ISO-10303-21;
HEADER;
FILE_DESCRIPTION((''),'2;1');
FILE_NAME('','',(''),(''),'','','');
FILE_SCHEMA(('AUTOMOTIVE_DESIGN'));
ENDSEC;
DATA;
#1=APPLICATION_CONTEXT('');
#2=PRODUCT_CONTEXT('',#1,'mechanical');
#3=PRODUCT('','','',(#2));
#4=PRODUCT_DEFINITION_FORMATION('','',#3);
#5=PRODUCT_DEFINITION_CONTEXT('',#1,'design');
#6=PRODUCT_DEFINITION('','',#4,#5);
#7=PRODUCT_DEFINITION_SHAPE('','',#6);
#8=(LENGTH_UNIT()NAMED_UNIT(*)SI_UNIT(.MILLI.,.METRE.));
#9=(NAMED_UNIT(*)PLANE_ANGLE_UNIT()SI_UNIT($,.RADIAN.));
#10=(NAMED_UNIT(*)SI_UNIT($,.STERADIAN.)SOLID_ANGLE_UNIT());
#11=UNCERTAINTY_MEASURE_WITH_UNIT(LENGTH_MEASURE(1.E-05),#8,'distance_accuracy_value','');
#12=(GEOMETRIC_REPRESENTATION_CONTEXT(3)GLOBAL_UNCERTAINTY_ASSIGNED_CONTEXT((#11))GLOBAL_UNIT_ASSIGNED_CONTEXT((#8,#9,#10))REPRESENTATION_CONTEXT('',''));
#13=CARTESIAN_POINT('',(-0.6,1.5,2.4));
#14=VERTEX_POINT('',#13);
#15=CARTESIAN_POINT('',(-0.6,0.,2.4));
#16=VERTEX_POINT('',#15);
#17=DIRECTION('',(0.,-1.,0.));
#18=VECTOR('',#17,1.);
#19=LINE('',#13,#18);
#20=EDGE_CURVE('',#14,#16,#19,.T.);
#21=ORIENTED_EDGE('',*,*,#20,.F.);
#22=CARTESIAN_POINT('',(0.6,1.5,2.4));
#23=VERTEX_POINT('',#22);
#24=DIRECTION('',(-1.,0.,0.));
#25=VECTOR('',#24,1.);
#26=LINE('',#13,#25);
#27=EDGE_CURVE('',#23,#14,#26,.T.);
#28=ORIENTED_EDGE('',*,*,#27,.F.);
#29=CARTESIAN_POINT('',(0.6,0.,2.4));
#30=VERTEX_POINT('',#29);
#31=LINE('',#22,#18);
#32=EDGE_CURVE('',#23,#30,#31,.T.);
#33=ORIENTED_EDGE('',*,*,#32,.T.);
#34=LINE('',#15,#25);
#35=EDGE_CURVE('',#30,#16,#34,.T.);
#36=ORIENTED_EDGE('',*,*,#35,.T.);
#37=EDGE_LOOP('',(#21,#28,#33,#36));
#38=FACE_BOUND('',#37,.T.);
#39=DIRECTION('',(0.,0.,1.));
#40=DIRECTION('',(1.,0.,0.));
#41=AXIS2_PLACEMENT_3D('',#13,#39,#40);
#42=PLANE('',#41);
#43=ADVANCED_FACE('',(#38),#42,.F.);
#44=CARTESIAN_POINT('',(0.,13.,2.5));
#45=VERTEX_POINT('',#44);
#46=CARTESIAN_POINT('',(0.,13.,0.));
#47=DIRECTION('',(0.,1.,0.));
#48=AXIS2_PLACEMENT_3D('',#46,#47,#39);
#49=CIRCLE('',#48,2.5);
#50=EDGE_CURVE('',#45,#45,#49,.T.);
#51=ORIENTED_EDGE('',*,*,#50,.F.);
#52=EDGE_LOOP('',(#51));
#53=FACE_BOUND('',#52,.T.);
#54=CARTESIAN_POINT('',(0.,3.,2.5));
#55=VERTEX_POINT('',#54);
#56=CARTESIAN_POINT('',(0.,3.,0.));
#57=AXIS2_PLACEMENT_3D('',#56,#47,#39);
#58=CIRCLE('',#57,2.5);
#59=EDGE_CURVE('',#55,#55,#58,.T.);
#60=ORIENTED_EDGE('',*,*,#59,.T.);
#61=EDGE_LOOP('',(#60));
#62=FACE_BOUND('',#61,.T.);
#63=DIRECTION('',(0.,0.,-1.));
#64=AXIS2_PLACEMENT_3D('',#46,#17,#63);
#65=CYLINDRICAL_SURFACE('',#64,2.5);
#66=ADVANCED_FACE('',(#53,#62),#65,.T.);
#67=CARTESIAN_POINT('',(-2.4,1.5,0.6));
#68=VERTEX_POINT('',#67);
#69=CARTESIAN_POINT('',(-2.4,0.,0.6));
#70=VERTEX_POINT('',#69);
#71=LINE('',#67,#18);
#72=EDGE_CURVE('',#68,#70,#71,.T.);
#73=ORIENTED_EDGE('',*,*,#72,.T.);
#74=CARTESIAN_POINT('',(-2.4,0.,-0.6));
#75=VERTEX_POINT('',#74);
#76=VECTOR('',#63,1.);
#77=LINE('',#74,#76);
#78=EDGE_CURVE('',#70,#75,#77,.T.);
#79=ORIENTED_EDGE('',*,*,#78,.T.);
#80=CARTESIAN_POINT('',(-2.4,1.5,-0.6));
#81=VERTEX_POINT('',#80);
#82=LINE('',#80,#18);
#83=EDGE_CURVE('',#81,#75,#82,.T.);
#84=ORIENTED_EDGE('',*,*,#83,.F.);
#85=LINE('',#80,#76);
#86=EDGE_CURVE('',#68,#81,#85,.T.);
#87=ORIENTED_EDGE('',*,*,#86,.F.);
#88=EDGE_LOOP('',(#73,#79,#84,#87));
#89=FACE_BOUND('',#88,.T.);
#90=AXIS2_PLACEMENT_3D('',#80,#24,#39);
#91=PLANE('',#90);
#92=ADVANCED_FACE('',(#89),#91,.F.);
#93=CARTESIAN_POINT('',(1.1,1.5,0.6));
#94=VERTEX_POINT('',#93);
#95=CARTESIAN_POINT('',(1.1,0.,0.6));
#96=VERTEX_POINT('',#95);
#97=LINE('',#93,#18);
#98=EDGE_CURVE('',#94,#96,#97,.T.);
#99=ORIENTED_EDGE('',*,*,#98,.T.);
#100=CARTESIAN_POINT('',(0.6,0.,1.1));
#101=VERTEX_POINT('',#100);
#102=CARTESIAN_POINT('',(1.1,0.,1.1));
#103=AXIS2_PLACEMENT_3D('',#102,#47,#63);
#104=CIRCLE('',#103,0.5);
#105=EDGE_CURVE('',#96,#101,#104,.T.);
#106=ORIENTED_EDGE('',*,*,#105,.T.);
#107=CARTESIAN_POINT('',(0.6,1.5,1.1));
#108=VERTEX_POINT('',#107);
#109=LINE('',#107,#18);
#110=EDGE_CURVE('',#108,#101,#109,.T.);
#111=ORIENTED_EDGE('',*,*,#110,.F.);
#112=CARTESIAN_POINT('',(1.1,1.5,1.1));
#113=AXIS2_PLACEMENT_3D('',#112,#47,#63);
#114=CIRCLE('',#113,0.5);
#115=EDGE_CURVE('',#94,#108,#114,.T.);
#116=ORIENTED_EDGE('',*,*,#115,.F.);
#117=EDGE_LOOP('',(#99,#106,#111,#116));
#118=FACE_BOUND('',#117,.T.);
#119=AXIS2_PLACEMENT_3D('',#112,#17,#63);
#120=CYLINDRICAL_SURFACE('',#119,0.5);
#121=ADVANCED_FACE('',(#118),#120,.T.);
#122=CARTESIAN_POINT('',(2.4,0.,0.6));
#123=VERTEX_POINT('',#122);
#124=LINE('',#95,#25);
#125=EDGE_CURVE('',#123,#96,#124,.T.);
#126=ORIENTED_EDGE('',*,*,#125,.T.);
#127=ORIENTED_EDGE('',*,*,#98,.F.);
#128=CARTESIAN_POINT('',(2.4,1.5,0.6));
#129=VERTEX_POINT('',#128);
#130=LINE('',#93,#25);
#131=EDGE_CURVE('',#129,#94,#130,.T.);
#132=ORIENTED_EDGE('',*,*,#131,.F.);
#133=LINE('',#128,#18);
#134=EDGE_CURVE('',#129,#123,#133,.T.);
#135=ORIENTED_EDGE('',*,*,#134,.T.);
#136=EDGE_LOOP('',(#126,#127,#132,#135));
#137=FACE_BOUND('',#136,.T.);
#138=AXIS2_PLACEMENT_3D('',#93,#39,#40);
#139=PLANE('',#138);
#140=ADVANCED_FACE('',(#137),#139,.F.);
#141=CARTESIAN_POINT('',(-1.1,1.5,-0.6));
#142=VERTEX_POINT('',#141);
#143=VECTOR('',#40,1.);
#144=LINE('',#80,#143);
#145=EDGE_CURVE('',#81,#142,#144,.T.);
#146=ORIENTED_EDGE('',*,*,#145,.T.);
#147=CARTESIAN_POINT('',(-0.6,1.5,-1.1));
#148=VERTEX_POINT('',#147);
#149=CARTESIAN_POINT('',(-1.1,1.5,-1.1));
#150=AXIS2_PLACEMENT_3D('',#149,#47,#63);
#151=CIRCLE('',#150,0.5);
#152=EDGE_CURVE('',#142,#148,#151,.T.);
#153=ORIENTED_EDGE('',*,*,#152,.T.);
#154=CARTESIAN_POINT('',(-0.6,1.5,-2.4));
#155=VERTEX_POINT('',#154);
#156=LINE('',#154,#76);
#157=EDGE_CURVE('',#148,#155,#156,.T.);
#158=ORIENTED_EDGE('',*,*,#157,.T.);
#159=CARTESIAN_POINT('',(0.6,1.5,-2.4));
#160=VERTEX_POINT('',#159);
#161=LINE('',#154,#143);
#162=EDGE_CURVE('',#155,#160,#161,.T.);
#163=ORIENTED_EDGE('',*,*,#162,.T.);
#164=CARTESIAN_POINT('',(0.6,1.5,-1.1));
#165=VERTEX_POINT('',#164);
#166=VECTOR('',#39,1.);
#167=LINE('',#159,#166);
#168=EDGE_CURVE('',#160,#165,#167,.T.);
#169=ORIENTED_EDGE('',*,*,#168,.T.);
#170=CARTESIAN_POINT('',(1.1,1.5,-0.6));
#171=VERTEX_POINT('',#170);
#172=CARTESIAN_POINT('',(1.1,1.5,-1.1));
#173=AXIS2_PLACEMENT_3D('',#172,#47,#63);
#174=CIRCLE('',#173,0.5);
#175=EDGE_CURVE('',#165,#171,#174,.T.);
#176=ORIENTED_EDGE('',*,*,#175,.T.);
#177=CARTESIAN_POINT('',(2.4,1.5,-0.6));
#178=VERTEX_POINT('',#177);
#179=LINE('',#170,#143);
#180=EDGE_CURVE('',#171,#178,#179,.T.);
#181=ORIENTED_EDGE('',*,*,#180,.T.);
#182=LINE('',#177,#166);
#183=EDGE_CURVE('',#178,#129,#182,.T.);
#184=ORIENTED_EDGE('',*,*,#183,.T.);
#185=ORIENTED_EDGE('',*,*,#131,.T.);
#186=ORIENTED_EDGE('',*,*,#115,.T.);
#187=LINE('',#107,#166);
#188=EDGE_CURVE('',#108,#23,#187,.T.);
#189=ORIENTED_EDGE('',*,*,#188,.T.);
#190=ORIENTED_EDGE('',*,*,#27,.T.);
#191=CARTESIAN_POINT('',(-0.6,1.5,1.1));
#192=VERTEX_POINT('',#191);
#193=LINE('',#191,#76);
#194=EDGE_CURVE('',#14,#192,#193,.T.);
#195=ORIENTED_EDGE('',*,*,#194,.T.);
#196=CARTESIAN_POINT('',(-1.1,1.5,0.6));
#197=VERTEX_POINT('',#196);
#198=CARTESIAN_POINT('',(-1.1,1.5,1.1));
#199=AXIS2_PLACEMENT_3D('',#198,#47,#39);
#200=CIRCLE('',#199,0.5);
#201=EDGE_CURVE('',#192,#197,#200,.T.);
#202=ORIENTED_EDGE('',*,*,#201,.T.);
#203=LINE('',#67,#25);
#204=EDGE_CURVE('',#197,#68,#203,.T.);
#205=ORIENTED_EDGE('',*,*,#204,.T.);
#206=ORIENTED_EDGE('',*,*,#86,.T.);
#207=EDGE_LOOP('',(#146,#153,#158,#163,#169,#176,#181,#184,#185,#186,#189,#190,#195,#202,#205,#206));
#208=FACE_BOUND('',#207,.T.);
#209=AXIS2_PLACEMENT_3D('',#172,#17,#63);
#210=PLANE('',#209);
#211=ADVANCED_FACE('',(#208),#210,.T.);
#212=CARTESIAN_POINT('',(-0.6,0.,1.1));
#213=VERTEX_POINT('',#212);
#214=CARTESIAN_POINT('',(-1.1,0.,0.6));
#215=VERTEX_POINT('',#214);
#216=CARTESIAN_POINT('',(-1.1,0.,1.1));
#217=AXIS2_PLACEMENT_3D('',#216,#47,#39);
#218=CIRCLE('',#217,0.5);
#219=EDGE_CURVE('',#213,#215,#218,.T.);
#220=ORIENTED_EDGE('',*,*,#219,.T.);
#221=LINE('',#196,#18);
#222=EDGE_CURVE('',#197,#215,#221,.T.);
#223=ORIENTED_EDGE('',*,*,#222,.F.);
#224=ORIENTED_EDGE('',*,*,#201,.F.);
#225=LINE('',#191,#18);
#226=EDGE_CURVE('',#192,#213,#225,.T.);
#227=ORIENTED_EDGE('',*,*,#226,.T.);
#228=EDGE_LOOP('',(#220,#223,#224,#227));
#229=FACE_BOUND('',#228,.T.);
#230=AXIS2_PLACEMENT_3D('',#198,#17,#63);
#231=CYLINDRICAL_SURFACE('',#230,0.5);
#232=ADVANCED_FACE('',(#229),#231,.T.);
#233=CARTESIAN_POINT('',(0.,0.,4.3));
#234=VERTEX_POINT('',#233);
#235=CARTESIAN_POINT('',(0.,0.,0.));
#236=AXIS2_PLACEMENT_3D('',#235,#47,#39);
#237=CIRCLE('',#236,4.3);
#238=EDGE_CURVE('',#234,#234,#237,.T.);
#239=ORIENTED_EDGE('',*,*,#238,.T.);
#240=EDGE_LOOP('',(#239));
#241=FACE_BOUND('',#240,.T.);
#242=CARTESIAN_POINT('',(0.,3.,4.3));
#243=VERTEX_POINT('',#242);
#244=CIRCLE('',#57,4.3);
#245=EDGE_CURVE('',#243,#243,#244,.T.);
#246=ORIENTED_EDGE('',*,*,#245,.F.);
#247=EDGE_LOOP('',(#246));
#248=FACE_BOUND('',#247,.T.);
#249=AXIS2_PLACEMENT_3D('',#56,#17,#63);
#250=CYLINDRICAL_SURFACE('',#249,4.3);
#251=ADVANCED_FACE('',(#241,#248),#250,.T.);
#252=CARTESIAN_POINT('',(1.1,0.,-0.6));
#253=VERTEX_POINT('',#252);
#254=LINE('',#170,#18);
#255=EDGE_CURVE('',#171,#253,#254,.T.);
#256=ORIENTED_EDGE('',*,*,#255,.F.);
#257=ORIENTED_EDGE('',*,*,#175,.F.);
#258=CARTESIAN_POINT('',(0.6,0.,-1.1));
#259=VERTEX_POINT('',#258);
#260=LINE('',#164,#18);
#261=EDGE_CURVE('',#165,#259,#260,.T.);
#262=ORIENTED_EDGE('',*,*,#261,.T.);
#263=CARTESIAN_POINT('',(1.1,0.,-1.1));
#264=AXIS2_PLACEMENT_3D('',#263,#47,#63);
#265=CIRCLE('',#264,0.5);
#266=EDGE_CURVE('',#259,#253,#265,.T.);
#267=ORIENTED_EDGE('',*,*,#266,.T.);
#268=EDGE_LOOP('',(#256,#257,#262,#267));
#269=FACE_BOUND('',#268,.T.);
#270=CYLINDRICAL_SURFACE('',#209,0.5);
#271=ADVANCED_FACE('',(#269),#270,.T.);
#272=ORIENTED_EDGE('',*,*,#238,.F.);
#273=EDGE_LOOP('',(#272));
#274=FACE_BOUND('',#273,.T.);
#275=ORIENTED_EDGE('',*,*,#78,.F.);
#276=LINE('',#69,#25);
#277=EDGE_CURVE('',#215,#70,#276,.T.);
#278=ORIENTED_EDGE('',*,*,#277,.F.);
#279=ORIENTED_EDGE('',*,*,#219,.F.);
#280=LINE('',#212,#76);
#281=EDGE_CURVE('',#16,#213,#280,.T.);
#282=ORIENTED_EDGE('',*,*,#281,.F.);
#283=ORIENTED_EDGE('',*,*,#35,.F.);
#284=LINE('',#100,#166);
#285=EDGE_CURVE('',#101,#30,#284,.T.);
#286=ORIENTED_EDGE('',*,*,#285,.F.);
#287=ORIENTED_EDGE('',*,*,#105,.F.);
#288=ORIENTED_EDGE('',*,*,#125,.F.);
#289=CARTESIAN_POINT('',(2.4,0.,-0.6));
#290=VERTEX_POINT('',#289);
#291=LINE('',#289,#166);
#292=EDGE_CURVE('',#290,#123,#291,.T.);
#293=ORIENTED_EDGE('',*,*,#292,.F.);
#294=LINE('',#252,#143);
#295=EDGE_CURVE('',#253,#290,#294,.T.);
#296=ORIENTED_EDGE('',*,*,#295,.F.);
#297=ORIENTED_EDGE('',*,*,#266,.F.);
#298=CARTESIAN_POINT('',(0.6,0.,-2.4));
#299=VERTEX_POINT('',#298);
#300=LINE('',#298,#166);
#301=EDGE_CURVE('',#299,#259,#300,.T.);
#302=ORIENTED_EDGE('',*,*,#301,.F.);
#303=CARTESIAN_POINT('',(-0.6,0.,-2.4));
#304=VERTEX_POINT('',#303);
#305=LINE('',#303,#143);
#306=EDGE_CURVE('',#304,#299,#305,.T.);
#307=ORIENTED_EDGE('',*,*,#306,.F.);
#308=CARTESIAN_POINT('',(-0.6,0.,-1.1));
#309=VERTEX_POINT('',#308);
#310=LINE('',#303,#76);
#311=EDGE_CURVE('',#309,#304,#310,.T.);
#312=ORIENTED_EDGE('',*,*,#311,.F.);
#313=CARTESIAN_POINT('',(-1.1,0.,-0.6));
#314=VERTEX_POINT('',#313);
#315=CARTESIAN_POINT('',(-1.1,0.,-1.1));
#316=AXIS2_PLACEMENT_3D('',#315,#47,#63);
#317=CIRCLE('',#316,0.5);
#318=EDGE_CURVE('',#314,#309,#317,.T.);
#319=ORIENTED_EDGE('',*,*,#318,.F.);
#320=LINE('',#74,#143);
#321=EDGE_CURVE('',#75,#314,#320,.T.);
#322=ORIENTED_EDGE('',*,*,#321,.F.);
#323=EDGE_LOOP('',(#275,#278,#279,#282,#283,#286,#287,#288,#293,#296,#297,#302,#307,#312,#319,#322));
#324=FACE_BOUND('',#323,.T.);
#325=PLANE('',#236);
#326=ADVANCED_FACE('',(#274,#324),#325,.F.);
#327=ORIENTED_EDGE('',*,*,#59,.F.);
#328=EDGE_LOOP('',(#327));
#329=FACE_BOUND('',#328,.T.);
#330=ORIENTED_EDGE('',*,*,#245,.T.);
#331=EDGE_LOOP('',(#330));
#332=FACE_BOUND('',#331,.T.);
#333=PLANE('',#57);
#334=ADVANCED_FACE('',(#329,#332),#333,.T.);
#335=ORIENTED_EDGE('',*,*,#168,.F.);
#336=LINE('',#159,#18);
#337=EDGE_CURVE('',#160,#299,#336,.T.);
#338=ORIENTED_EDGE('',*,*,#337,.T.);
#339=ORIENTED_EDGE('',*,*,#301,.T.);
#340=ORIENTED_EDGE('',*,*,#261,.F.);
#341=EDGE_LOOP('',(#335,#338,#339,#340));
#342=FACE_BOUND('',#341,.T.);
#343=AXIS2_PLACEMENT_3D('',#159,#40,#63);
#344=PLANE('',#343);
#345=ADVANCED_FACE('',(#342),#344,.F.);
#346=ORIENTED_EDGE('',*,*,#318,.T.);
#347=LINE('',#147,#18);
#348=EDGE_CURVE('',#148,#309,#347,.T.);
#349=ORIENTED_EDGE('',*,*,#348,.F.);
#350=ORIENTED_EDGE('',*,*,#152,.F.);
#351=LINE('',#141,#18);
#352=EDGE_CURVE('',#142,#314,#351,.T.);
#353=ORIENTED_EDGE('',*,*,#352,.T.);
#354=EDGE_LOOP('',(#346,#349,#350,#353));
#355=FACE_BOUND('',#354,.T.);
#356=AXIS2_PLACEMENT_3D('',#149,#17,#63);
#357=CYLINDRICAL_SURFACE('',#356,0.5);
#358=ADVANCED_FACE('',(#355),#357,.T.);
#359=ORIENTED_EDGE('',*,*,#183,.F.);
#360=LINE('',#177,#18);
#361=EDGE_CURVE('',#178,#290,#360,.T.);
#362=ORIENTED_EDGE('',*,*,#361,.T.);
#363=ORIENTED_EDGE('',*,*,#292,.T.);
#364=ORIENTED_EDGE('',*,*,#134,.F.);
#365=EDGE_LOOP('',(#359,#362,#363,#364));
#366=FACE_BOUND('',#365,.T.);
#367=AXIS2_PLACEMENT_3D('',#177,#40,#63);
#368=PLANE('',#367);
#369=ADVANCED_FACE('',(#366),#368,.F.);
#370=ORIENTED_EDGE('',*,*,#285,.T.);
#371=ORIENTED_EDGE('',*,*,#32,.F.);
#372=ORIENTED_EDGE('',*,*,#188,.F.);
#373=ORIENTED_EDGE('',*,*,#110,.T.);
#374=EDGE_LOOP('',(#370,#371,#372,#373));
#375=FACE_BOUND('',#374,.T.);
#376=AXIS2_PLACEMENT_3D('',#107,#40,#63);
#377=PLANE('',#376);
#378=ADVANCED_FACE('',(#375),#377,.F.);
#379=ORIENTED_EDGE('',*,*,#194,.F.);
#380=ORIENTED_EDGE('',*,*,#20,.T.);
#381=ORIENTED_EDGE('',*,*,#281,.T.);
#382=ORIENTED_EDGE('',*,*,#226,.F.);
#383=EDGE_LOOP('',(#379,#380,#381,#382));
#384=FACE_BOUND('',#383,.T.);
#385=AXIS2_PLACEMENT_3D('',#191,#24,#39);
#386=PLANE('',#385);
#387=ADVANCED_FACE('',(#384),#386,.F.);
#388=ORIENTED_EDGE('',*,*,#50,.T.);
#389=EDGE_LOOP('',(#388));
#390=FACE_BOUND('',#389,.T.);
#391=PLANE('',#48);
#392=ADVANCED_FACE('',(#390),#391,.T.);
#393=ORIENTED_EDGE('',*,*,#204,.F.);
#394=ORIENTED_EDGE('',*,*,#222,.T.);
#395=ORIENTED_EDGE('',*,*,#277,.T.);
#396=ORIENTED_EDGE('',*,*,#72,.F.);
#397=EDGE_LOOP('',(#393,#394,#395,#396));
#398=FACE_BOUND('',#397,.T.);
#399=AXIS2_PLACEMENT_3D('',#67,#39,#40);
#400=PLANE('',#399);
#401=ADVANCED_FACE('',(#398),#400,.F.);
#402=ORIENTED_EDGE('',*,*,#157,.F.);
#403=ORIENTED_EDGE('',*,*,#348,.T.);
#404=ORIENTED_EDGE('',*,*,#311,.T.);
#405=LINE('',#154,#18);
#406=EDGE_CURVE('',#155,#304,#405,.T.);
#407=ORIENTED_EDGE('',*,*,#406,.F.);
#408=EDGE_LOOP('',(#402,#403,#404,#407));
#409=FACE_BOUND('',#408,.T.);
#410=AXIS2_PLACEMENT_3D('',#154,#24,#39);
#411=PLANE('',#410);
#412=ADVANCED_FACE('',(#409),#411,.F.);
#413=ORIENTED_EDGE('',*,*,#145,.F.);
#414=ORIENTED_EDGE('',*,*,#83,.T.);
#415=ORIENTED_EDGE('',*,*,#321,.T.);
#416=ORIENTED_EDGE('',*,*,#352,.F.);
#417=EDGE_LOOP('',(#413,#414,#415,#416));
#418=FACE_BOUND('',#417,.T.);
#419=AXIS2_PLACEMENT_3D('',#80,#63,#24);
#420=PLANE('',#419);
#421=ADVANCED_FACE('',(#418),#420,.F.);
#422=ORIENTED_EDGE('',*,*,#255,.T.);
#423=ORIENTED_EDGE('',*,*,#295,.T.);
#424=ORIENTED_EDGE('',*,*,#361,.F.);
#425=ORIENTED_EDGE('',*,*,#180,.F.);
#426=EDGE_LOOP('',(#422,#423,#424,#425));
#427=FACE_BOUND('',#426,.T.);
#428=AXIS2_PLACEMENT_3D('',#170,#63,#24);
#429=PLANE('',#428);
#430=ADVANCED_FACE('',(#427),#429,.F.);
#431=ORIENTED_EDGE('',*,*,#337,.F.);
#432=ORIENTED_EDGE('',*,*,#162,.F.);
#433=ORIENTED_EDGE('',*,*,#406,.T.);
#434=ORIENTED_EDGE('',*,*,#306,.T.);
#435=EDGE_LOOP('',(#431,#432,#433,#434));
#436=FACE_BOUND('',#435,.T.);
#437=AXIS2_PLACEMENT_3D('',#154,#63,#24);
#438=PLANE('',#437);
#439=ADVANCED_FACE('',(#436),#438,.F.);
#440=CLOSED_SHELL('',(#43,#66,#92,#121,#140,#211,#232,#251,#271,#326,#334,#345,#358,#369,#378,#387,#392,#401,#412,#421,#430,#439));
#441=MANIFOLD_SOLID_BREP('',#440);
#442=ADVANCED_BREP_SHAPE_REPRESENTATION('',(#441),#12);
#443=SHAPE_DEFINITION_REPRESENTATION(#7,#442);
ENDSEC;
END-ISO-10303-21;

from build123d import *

# Parameters (mm, degrees)
SKETCH_1_R          = 4.3
EXTRUDE_1_DEPTH     = 3
SKETCH_2_R          = 2.5
EXTRUDE_2_DEPTH     = 10
CUT_EXTRUDE_1_DEPTH = 1.5


with BuildPart() as part:
    # 草图1 → 凸台-拉伸1 (new body)
    with BuildSketch(Plane(origin=(0, 0, 0), x_dir=(1, 0, 0), z_dir=(0, 1, 0))):
        Circle(SKETCH_1_R)
    extrude(amount=EXTRUDE_1_DEPTH)

    # 草图2 → 凸台-拉伸2 (add)
    with BuildSketch(Plane(origin=(0, 3, 0), x_dir=(1, 0, 0), z_dir=(0, 1, 0))):
        Circle(SKETCH_2_R)
    extrude(amount=EXTRUDE_2_DEPTH)

    # 草图3 → 切除-拉伸1 (cut)
    with BuildSketch(Plane.XZ):
        with BuildLine():
            Line((-0.6, 1.1), (-0.6, 2.4))
            Line((-0.6, 2.4), (0.6, 2.4))
            Line((0.6, 2.4), (0.6, 1.1))
            ThreePointArc((0.6, 1.1), (0.746446609, 0.746446609), (1.1, 0.6))
            Line((1.1, 0.6), (2.4, 0.6))
            Line((2.4, 0.6), (2.4, -0.6))
            Line((2.4, -0.6), (1.1, -0.6))
            ThreePointArc((1.1, -0.6), (0.746446609, -0.746446609), (0.6, -1.1))
            Line((0.6, -1.1), (0.6, -2.4))
            Line((0.6, -2.4), (-0.6, -2.4))
            Line((-0.6, -2.4), (-0.6, -1.1))
            ThreePointArc((-0.6, -1.1), (-0.746446609, -0.746446609), (-1.1, -0.6))
            Line((-1.1, -0.6), (-2.4, -0.6))
            Line((-2.4, -0.6), (-2.4, 0.6))
            Line((-2.4, 0.6), (-1.1, 0.6))
            ThreePointArc((-1.1, 0.6), (-0.746446609, 0.746446609), (-0.6, 1.1))
        make_face()
    extrude(amount=-CUT_EXTRUDE_1_DEPTH, mode=Mode.SUBTRACT)


solid = part.part
